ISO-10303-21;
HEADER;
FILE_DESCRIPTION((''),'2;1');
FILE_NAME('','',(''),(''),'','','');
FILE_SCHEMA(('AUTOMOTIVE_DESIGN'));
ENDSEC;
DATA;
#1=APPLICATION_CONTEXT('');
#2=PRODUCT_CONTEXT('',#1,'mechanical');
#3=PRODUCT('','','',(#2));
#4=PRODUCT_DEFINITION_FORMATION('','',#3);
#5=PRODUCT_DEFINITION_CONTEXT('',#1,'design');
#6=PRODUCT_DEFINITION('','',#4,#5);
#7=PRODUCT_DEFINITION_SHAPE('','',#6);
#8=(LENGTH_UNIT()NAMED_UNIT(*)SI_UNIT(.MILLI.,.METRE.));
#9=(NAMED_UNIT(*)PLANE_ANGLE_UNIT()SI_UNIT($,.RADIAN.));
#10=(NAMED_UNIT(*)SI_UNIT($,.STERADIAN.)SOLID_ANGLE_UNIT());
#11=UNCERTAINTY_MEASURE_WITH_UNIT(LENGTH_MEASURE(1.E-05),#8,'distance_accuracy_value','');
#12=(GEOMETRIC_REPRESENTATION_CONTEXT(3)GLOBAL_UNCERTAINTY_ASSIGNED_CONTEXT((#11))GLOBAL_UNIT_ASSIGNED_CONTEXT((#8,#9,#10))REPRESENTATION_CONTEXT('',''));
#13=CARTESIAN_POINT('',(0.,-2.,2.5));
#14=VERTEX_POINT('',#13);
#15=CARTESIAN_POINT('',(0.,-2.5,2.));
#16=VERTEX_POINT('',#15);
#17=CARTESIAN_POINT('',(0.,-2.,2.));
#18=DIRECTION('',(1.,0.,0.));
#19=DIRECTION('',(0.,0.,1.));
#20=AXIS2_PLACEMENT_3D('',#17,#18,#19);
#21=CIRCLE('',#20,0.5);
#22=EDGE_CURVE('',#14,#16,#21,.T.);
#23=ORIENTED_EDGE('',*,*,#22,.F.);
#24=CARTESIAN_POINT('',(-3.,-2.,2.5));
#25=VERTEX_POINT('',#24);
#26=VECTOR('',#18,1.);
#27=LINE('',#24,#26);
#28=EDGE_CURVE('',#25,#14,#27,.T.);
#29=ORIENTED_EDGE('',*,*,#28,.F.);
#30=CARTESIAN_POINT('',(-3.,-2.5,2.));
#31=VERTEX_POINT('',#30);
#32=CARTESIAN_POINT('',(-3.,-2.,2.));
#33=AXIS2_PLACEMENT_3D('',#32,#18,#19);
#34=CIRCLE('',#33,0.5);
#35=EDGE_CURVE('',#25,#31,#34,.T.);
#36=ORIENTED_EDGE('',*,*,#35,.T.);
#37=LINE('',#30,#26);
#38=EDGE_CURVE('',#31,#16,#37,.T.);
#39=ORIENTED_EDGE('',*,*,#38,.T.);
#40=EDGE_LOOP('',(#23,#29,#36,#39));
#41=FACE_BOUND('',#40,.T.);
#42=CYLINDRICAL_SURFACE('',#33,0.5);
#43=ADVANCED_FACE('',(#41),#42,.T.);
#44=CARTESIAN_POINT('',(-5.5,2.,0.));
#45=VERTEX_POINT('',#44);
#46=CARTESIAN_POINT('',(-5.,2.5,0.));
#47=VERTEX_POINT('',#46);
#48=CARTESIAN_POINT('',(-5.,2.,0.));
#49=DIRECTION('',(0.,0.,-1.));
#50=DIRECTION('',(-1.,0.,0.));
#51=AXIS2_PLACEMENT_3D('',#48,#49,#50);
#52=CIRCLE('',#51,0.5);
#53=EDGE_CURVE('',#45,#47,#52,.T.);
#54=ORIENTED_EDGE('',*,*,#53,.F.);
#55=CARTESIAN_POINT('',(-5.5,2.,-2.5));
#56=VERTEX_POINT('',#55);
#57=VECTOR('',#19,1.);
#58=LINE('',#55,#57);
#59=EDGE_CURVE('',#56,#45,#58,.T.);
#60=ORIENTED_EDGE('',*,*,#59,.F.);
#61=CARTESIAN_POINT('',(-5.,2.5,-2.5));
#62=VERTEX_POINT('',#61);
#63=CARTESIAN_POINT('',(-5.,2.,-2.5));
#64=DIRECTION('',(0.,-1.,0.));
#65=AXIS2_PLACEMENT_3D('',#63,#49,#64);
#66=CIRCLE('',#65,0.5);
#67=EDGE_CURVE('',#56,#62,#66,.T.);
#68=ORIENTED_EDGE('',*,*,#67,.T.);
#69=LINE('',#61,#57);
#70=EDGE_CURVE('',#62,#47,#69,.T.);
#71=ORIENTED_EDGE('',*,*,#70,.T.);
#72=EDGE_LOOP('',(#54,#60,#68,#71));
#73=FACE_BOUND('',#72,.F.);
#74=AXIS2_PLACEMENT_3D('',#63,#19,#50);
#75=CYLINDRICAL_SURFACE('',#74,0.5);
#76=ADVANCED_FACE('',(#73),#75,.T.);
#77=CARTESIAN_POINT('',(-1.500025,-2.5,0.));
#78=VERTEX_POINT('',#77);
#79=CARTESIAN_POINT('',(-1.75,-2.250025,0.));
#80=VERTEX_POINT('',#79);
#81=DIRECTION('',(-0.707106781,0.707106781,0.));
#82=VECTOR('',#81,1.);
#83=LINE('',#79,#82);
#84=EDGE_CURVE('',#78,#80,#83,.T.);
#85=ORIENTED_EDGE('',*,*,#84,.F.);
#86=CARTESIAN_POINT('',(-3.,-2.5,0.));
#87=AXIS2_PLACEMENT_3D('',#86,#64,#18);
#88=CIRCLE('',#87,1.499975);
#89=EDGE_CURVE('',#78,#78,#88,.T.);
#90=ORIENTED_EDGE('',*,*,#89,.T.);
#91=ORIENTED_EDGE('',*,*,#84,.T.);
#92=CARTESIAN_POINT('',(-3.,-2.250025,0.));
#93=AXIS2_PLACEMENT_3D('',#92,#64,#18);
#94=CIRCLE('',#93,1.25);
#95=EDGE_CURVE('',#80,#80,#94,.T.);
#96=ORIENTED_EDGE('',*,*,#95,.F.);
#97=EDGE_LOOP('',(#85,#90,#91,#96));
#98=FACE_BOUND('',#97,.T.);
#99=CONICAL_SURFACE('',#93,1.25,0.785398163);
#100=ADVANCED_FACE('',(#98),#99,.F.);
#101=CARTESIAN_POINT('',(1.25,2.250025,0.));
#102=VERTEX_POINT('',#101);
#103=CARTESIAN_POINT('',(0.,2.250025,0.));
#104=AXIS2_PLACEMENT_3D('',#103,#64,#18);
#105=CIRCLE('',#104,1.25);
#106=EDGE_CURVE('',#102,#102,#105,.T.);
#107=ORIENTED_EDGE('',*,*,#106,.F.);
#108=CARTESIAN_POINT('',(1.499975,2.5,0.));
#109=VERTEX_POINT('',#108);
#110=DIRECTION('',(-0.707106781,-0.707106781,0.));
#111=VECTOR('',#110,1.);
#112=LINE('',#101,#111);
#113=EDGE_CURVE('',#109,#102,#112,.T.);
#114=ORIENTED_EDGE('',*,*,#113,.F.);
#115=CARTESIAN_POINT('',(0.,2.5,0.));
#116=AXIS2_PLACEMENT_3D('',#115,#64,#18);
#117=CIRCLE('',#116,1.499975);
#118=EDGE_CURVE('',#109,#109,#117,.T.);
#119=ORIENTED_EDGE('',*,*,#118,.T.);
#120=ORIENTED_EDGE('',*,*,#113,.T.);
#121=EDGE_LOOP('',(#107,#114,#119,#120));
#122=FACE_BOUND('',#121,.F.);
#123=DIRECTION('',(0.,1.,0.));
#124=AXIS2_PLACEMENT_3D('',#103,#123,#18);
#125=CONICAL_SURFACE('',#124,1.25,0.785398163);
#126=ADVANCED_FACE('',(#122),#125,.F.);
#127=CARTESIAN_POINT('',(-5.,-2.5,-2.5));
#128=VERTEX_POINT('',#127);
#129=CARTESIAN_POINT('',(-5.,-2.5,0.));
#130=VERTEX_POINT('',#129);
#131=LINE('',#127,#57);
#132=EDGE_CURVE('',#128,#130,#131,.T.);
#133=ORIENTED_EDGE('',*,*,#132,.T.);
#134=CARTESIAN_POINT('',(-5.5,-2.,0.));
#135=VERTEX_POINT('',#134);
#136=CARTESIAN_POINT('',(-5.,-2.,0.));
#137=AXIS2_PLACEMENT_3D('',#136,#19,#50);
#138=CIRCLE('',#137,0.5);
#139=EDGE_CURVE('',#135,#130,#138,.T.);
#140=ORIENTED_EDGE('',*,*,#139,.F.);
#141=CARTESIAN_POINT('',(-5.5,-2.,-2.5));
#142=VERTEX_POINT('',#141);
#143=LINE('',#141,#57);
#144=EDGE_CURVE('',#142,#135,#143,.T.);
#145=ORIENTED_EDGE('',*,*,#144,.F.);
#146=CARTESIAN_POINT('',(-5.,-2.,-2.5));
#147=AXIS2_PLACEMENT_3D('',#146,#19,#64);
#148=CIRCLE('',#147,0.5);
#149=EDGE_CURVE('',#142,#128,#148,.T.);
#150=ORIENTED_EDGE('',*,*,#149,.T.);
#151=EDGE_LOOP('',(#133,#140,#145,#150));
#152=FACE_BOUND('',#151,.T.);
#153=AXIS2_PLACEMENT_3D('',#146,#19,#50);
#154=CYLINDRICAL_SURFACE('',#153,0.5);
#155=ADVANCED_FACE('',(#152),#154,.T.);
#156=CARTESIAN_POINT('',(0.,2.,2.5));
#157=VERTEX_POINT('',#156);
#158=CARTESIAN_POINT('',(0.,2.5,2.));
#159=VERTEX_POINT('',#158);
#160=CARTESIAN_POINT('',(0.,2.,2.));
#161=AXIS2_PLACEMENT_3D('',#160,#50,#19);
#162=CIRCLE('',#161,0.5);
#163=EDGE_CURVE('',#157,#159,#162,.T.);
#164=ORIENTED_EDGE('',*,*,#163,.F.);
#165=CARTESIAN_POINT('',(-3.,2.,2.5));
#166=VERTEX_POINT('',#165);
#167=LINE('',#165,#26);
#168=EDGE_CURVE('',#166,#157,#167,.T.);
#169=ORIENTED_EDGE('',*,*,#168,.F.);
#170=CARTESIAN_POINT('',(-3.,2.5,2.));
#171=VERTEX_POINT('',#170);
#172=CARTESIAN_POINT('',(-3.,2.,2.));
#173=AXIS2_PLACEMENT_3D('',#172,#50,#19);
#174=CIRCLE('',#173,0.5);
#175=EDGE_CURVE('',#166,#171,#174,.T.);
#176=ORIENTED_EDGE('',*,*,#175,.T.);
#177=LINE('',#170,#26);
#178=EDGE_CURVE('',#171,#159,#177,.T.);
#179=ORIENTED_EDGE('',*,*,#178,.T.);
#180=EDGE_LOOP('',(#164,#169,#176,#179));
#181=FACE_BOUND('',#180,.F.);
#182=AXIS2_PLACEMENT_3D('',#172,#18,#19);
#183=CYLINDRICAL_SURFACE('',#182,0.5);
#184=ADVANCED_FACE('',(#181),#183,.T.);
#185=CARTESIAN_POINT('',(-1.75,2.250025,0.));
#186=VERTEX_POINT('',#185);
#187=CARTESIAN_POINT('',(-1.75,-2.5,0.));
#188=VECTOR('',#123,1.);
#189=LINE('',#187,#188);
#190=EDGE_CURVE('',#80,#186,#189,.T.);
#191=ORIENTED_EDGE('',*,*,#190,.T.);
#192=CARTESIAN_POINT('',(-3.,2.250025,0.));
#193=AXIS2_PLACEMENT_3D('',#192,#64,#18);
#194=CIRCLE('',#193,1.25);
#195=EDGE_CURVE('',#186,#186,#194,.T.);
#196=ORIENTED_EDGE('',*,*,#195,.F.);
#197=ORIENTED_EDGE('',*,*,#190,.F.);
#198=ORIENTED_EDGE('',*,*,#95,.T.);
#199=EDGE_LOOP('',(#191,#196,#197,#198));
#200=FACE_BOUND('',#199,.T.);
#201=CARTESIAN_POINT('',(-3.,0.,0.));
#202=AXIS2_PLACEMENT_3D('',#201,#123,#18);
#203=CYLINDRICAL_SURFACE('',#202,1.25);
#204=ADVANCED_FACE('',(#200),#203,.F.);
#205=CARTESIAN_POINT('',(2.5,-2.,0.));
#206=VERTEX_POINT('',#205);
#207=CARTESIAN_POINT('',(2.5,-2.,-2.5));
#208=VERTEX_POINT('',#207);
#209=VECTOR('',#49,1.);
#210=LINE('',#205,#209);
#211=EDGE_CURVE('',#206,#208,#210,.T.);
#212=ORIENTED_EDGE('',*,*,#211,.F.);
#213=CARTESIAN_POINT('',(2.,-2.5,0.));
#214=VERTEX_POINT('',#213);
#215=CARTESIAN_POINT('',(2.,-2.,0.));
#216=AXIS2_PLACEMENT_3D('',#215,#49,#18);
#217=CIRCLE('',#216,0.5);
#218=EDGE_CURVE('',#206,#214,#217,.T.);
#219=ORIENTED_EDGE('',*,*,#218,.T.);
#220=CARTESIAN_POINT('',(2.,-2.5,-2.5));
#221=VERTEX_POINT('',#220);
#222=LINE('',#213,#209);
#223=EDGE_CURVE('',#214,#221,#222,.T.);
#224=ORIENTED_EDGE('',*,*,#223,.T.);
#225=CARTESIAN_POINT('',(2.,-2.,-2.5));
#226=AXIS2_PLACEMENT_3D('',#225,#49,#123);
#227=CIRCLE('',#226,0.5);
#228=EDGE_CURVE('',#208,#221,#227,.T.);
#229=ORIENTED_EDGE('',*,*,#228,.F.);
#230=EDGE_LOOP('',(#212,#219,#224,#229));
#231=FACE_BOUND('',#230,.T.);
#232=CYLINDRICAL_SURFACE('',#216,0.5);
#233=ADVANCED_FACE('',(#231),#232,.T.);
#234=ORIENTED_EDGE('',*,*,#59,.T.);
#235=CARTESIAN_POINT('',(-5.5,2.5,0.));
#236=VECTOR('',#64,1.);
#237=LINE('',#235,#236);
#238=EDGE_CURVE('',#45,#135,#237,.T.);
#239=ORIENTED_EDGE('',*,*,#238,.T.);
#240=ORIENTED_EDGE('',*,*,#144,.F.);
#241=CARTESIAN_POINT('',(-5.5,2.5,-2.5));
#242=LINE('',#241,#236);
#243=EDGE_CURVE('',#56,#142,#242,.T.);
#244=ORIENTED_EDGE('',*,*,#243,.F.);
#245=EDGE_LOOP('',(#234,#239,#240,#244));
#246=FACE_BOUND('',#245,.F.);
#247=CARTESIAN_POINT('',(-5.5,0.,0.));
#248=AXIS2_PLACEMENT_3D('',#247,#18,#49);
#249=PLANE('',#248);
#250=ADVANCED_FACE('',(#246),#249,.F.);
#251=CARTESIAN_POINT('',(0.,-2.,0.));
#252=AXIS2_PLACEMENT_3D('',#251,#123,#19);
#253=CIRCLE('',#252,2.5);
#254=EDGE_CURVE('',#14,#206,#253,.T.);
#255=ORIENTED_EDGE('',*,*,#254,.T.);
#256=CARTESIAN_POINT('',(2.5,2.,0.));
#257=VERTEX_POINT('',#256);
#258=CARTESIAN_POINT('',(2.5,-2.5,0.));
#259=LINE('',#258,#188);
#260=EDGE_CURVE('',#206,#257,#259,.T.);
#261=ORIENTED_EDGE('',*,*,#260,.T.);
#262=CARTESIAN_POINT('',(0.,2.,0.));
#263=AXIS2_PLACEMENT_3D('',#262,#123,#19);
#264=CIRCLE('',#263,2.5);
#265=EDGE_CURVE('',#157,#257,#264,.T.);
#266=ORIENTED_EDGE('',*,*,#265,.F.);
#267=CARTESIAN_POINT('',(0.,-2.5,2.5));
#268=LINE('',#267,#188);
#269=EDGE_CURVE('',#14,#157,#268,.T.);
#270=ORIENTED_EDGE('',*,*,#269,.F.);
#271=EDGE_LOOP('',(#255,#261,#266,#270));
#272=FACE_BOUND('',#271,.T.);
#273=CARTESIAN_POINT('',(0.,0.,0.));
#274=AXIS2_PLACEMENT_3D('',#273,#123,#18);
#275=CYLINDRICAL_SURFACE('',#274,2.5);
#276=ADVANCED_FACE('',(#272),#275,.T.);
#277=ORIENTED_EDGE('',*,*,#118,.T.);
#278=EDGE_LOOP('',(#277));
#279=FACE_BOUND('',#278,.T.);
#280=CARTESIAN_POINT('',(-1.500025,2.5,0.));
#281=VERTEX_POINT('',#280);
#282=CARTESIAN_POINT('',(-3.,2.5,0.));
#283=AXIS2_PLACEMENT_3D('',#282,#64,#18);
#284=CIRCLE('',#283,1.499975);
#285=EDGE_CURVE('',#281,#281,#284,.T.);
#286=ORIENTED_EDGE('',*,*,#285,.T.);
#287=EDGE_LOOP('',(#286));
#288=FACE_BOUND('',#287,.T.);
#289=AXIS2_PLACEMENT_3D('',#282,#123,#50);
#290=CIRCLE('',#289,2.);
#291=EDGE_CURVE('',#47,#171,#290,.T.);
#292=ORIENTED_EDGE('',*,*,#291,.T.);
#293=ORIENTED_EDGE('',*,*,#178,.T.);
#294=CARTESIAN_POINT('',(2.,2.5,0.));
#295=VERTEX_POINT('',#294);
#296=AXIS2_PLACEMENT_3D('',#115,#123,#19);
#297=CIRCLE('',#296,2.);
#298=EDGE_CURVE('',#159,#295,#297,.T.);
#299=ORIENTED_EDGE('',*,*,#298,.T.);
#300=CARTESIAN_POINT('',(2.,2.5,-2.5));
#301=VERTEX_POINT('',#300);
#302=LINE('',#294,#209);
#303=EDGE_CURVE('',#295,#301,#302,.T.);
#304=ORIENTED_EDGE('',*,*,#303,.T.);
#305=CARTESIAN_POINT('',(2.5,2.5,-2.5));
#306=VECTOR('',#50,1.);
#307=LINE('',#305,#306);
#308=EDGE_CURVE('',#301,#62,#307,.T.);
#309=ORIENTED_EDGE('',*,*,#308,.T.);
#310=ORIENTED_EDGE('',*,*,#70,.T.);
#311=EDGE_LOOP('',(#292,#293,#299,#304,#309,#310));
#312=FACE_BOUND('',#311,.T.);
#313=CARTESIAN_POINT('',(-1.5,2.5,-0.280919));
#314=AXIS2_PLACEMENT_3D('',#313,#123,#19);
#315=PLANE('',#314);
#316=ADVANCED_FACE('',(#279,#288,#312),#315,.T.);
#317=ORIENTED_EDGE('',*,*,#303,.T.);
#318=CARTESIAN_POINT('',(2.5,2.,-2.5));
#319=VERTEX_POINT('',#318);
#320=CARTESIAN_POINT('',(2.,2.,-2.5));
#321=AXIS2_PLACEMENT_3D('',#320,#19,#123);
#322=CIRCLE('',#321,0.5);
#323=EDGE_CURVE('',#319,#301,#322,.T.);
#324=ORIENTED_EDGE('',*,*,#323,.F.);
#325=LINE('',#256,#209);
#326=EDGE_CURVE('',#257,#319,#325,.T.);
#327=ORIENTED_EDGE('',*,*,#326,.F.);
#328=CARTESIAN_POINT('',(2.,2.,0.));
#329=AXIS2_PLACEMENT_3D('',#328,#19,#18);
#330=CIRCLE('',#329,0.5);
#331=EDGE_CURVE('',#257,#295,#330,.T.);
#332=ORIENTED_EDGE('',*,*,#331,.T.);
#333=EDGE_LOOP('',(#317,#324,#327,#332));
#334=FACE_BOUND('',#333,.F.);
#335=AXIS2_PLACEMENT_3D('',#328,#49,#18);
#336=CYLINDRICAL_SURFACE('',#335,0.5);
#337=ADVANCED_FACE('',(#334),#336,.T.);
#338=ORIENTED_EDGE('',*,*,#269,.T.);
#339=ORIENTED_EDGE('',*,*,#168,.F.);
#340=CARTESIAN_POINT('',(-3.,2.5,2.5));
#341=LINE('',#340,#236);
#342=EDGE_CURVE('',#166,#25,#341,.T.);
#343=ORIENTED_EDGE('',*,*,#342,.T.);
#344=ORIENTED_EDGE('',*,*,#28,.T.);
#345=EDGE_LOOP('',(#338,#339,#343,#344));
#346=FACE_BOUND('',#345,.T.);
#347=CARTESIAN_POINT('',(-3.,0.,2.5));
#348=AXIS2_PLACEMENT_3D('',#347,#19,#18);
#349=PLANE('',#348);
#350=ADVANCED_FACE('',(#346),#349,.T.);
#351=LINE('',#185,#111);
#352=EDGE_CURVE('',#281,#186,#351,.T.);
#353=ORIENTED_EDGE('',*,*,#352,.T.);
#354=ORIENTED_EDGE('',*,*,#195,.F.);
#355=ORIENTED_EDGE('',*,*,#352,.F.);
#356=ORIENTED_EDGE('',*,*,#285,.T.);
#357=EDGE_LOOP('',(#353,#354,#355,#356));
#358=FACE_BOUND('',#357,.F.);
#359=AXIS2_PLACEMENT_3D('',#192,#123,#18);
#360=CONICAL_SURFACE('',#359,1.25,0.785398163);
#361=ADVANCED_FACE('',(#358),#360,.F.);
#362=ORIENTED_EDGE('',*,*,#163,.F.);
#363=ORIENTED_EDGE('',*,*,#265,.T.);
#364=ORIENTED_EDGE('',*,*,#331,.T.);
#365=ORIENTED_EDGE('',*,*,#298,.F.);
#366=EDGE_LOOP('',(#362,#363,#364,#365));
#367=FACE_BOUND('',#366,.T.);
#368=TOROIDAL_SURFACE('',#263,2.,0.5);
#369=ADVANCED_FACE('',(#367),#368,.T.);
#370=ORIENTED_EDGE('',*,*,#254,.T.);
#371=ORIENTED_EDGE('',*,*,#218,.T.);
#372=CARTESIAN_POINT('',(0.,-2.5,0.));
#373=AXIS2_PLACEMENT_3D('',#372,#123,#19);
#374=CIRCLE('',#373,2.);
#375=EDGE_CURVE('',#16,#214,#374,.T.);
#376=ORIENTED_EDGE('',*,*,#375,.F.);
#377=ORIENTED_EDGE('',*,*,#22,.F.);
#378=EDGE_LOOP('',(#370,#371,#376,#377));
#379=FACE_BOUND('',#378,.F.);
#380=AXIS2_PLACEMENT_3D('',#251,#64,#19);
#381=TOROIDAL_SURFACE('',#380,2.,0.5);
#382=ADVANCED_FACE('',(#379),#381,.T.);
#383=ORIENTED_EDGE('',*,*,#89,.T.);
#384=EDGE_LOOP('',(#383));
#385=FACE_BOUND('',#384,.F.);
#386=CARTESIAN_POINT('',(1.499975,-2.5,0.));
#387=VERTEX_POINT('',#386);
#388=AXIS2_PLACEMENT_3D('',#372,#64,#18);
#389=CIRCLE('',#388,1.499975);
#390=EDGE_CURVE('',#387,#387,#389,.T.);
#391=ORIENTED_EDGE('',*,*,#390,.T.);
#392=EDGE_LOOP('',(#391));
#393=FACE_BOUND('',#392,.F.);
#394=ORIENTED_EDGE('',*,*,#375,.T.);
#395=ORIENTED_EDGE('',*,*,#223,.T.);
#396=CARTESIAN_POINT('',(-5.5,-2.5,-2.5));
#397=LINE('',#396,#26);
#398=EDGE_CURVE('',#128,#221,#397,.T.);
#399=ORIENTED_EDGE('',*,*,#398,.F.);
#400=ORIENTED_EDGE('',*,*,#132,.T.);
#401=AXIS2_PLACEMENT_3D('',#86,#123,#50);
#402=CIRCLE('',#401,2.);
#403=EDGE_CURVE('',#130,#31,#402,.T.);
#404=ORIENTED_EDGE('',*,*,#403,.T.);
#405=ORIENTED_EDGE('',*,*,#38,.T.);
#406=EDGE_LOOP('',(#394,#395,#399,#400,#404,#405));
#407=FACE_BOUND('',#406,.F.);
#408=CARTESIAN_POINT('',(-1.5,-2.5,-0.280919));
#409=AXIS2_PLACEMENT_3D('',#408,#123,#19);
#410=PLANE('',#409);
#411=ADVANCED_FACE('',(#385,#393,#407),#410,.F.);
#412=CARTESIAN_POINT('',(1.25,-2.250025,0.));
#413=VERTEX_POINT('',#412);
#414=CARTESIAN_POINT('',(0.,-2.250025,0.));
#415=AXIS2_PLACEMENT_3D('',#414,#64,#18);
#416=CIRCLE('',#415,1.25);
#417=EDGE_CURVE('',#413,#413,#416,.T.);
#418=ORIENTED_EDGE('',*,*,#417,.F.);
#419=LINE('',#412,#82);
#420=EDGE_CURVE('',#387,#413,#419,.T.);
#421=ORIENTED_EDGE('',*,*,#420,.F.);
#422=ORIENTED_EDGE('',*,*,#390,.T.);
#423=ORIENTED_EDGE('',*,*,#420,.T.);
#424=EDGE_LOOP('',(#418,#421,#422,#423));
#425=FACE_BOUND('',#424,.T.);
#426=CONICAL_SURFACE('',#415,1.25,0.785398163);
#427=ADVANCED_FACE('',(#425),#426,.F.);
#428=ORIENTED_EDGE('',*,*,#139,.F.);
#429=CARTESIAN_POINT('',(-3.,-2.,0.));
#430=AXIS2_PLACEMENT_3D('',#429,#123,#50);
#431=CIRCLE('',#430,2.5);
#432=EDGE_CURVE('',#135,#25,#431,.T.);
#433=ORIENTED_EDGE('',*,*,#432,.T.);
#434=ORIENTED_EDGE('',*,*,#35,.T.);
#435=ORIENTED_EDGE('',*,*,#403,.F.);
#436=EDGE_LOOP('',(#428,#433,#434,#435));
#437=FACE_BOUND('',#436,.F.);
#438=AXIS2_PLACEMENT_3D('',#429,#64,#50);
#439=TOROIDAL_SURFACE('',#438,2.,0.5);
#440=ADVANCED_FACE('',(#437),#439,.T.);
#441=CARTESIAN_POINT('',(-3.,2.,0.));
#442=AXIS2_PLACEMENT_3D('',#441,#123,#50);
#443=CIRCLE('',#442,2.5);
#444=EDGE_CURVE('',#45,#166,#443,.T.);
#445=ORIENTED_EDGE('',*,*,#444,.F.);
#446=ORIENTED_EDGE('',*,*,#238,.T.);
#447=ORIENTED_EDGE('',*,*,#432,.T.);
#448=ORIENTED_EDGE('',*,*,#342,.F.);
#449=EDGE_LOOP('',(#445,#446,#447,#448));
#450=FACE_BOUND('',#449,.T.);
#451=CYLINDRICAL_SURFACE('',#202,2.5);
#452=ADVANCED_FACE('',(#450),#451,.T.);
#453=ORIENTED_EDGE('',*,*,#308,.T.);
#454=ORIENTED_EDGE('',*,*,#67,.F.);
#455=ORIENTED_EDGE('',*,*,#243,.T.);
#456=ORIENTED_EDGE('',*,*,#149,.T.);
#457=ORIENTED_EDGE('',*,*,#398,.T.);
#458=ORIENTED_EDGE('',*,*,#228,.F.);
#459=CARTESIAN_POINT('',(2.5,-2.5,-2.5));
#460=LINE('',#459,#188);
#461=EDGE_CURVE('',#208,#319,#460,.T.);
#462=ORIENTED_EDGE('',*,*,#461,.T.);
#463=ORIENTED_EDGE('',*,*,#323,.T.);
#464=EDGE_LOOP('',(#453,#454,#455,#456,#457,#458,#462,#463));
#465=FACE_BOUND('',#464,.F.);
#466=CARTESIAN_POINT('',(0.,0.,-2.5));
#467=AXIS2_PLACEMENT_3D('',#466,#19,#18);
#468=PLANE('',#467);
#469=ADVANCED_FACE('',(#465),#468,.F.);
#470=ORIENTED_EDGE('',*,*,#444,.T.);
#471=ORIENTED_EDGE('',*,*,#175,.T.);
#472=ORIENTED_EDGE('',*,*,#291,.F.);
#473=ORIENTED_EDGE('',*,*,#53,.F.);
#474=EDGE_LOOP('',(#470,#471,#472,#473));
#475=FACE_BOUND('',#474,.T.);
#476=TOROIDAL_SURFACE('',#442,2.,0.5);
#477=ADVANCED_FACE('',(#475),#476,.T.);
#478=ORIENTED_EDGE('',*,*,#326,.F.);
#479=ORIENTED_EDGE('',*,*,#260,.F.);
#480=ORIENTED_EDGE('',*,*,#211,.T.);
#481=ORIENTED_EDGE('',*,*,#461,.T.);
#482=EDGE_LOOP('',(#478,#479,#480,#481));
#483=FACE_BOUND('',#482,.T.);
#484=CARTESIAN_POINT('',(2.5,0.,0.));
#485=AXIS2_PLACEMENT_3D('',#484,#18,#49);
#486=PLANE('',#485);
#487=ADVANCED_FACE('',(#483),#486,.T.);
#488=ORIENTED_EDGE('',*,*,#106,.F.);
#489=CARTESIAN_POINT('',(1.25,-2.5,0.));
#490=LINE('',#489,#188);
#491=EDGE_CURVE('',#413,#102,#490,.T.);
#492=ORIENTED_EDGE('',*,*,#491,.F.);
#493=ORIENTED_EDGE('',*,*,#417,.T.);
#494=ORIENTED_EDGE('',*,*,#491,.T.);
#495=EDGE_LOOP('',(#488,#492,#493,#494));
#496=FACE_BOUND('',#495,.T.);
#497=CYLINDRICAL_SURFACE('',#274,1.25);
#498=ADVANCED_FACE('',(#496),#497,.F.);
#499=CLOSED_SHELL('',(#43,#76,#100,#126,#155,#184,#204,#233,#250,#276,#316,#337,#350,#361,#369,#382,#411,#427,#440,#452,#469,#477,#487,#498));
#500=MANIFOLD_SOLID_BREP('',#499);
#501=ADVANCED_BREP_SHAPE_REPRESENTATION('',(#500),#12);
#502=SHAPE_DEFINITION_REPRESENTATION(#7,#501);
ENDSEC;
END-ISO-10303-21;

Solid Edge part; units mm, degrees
sketch "Sketch1" plane through (0, 0, 0) normal (0, -1, 0) x (1, 0, 0)
  circle A0 centre (0, 0) radius 1.25
  circle A1 centre (-3, 0) radius 1.25
  line L0 (-3, 2.5) -> (0, 2.5)
  line L1 (2.5, 0) -> (2.5, -2.5)
  line L2 (0, -2.5) -> (2.5, -2.5)
  line L3 (0, -2.5) -> (-3, -2.5)
  line L4 (-3, -2.5) -> (-5.5, -2.5)
  line L5 (-5.5, 0) -> (-5.5, -2.5)
  arc A2 (-5.5, 0) -> (-3, 2.5) centre (-3, 0) cw
  arc A3 (0, 2.5) -> (2.5, 0) centre (0, 0) cw
extrude "Protrusion1" add sketch "Sketch1" along normal mid plane 5
fillet "Verrundung_1" radius 0.5 10 edges at (-4.7678, -2.5, 1.7678) (-1.5, -2.5, 2.5) (1.7678, -2.5, 1.7678) (2.5, -2.5, -1.25) (-5.5, -2.5, -1.25) (-1.5, 2.5, 2.5) (1.7678, 2.5, 1.7678) (2.5, 2.5, -1.25) (-4.7678, 2.5, 1.7678) (-5.5, 2.5, -1.25)
chamfer "Fase_1" distance 0.25 angle 45 4 edges at (-4.25, -2.5, 0) (-1.25, -2.5, 0) (-4.25, 2.5, 0) (-1.25, 2.5, 0)
properties part number "085" material "PLA"
